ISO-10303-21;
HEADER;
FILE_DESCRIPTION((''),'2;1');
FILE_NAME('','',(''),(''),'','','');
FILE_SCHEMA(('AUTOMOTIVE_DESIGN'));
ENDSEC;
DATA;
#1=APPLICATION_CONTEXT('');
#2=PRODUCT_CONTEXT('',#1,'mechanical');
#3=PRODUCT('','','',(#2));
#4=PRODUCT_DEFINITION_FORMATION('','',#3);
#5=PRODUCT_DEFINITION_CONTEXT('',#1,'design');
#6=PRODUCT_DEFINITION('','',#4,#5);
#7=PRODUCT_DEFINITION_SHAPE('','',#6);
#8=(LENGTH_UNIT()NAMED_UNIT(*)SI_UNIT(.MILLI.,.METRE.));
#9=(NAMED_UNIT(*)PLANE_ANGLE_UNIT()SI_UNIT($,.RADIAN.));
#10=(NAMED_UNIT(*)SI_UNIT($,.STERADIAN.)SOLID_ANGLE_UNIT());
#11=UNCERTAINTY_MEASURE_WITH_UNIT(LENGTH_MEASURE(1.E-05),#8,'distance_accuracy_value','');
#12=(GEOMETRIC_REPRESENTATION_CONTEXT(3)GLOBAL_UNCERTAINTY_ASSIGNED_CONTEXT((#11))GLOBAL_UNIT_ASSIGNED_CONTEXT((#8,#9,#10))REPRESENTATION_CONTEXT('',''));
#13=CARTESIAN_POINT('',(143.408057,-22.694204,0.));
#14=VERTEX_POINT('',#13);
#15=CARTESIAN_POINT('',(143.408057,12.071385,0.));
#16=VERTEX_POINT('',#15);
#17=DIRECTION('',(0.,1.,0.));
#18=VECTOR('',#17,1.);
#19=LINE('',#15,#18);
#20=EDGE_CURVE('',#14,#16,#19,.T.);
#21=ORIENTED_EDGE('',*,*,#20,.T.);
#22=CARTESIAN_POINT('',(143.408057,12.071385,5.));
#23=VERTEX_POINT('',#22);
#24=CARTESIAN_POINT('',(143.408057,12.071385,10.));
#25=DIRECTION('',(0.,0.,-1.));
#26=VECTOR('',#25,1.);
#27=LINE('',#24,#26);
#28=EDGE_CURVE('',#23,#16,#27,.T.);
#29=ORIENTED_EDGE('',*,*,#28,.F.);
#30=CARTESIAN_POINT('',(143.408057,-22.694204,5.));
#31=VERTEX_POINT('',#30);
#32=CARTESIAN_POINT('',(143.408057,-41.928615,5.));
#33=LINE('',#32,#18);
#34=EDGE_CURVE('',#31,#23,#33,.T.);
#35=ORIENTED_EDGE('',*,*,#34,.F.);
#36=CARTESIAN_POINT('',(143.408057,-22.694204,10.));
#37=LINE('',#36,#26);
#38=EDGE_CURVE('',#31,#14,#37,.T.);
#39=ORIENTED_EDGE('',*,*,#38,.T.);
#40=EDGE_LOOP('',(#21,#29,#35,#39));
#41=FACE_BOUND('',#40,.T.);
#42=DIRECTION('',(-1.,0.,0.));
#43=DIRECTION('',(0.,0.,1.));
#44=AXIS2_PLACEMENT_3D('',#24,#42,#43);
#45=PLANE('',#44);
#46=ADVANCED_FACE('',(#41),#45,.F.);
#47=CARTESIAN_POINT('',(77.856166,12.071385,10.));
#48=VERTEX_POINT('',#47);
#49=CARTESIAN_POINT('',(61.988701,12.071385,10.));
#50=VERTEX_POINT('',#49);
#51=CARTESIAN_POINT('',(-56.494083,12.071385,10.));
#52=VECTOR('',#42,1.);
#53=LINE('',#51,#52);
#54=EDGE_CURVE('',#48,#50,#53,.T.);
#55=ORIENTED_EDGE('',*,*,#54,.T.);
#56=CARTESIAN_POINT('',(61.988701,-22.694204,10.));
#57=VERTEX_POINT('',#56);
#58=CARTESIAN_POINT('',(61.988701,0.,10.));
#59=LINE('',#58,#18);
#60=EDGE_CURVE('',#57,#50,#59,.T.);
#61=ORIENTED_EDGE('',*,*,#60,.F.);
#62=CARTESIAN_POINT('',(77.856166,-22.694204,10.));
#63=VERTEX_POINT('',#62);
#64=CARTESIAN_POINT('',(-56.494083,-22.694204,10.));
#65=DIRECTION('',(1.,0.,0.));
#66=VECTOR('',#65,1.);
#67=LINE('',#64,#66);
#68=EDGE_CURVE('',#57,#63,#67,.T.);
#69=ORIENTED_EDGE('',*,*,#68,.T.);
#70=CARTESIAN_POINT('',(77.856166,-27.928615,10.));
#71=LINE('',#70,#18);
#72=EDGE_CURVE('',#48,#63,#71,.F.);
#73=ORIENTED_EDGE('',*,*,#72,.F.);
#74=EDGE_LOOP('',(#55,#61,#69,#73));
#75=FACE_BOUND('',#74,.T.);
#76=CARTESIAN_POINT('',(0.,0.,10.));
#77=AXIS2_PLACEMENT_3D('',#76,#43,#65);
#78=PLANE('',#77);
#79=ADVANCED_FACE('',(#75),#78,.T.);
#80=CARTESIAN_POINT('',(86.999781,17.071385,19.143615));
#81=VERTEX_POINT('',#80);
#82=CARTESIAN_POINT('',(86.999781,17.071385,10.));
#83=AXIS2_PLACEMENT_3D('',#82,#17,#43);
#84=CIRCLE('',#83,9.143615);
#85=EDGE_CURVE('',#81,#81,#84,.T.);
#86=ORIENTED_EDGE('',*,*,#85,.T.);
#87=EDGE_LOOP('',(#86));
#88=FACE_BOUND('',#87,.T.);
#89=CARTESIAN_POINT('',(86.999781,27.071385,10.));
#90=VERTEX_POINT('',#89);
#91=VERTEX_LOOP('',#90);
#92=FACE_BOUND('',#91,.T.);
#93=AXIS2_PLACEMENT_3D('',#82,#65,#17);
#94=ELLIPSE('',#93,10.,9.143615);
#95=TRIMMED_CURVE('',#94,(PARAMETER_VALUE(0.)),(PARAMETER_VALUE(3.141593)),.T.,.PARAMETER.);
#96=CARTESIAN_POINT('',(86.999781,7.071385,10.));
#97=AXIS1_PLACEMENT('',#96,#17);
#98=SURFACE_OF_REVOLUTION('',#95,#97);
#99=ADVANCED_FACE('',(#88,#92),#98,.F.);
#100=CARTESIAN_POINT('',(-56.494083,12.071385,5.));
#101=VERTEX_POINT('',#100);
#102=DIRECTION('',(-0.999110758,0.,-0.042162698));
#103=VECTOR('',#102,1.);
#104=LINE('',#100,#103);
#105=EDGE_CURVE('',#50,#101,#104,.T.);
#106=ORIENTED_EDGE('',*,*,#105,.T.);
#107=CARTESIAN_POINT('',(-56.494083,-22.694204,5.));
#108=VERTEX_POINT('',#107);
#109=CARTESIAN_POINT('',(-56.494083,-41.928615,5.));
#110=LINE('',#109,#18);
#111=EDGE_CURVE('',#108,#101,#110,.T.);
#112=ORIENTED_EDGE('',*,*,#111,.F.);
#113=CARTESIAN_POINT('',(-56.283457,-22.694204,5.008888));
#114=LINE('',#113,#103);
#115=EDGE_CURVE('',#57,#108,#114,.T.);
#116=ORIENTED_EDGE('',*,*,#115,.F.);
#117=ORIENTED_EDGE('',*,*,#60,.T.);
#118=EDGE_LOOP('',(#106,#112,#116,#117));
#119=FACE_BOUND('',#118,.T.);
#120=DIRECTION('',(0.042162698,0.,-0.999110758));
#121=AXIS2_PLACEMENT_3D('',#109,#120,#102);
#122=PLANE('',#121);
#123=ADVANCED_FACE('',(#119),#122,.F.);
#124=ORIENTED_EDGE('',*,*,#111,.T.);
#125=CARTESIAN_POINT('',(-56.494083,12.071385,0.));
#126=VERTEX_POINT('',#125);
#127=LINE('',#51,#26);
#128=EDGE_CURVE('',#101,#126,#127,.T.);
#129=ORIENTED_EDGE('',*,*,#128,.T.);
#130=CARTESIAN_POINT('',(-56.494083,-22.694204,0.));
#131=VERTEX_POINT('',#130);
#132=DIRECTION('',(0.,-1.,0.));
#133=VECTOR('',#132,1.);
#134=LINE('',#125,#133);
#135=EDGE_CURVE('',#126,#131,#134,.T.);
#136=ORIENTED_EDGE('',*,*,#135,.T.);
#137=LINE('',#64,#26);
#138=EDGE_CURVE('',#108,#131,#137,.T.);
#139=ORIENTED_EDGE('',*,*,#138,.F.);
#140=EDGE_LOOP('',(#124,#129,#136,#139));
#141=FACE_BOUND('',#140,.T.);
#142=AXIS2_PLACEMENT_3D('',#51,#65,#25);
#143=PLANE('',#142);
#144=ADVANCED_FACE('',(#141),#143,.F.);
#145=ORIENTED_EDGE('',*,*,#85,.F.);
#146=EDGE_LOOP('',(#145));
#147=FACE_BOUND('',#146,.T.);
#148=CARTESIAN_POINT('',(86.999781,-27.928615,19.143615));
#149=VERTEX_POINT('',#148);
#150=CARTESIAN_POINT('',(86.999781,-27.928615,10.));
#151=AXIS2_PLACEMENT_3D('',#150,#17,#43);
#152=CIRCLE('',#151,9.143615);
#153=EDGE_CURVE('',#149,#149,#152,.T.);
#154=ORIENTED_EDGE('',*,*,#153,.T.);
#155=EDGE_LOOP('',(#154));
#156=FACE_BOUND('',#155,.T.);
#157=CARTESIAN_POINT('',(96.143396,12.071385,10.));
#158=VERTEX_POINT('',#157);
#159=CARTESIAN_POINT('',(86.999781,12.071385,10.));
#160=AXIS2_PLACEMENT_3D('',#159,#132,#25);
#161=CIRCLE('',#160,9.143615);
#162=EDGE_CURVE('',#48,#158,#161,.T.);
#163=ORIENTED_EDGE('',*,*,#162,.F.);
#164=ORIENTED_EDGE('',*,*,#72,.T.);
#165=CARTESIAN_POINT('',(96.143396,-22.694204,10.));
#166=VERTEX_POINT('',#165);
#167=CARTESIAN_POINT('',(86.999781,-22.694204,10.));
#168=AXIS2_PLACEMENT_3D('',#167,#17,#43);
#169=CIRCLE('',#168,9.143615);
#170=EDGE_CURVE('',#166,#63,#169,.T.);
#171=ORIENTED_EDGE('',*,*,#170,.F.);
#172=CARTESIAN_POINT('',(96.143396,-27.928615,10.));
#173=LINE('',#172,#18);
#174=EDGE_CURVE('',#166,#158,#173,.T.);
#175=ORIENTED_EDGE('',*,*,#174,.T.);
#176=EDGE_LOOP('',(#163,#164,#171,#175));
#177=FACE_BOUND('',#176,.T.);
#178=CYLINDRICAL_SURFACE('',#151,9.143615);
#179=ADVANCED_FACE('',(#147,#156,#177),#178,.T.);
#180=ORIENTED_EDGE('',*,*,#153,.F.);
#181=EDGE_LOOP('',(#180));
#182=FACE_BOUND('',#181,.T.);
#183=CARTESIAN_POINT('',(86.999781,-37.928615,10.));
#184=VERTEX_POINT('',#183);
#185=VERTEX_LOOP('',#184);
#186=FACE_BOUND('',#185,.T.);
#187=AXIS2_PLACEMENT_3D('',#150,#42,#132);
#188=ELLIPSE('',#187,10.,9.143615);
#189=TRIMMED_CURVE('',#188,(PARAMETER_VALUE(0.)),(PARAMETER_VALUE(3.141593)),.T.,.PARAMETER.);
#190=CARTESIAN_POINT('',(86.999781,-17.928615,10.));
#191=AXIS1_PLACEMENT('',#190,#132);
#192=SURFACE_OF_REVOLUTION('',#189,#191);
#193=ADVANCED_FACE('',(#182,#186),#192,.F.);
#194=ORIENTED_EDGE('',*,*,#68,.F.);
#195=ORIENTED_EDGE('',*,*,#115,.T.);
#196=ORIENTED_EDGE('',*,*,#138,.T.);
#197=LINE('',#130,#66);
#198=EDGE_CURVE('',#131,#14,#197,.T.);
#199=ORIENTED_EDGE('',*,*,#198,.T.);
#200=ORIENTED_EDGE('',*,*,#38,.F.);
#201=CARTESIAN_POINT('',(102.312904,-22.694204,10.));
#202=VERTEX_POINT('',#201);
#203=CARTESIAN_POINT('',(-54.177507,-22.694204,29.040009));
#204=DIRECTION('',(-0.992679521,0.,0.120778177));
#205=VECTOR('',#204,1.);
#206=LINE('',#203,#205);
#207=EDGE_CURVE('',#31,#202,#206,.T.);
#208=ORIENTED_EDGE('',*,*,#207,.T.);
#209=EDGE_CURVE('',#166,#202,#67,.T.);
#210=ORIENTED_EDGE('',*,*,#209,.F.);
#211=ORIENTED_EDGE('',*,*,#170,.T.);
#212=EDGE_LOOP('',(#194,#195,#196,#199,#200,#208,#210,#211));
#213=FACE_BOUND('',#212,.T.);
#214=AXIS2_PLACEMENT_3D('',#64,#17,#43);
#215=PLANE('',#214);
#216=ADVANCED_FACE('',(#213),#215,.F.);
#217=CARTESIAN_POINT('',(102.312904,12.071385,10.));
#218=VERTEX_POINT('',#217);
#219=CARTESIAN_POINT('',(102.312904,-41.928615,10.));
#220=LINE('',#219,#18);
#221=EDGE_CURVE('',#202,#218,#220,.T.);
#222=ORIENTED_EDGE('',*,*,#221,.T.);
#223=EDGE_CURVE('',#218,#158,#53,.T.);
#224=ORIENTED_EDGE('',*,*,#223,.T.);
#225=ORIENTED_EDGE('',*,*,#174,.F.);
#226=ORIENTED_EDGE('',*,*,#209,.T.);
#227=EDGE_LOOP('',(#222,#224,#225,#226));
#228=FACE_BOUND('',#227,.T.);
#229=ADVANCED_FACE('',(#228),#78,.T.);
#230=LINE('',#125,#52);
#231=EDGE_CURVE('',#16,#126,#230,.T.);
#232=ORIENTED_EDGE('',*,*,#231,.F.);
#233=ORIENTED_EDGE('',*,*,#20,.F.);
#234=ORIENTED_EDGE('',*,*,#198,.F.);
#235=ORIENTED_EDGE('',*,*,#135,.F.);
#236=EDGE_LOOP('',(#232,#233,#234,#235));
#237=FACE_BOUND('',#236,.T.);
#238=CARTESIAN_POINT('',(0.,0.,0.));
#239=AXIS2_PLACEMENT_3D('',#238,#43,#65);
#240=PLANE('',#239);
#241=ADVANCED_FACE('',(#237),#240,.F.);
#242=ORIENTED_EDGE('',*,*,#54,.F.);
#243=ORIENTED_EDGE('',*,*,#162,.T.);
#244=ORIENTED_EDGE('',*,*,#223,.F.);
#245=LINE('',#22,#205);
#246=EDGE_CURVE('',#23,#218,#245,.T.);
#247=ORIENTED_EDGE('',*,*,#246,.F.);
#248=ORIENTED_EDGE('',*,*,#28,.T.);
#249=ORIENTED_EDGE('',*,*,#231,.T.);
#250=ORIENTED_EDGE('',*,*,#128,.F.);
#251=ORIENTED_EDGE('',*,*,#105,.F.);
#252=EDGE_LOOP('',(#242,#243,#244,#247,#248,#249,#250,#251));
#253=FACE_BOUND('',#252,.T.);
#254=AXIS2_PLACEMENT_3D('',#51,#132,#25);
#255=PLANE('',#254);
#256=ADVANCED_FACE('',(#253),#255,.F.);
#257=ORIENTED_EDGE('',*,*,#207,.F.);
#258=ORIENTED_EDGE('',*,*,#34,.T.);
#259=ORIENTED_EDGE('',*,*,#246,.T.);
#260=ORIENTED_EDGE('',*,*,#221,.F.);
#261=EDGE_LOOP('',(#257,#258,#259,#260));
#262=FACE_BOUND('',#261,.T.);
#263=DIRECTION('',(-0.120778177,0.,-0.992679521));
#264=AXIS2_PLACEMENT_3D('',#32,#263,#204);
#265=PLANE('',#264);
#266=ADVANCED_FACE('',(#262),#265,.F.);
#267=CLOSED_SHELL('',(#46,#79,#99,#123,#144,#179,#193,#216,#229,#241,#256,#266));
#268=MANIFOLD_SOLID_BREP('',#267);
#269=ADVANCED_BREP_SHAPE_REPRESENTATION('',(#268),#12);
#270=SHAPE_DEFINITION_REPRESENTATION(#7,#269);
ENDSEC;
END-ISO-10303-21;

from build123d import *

# Parameters (mm, degrees)
SKETCH1_W                = 199.90213939
SKETCH1_H                = 34.765589459
BOSS_EXTRUDE1_DEPTH      = 10
BOSS_EXTRUDE2_DEPTH      = 5
BOSS_EXTRUDE2_DEPTH_BACK = 40
SKETCH2_R                = 9.143615086
DOME1_FACE_RADIUS        = 9.143615086
DOME1_HEIGHT             = 10
DOME2_FACE_RADIUS        = 9.143615086
DOME2_HEIGHT             = 10
CUT_EXTRUDE1_DEPTH       = 54


with BuildPart() as part:
    # Sketch1 → Boss-Extrude1 (new body)
    with BuildSketch(Plane.XY):
        with Locations((43.456986824, -5.3114095)):
            Rectangle(SKETCH1_W, SKETCH1_H)
    extrude(amount=BOSS_EXTRUDE1_DEPTH)

    # Sketch2 → Boss-Extrude2 (add, two sides: drawn at the far end of the back side and taken through both)
    with BuildSketch(Plane(origin=(0, 12.071385229, 0), x_dir=(1, 0, 0), z_dir=(0, 1, 0)).offset(-BOSS_EXTRUDE2_DEPTH_BACK)):
        with Locations((86.99978083, -10)):
            Circle(SKETCH2_R)
    extrude(amount=BOSS_EXTRUDE2_DEPTH + BOSS_EXTRUDE2_DEPTH_BACK)

    # Dome1: an elliptical dome of height H over a round flat face of radius A is half a spheroid: the quarter ellipse of half axes A and H revolved about the face's axis
    with BuildSketch(Plane((86.99978083, 17.071385229, 10), x_dir=(0, 0, -1), z_dir=(1, 0, 0)), mode=Mode.PRIVATE) as dome1_quarter:
        Ellipse(DOME1_FACE_RADIUS, DOME1_HEIGHT)
        Rectangle(DOME1_FACE_RADIUS, DOME1_HEIGHT, align=(Align.MIN, Align.MIN), mode=Mode.INTERSECT)
    revolve(dome1_quarter.sketch, axis=Axis((86.99978083, 17.071385229, 10), (0, 1, 0)))

    # Dome2: an elliptical dome of height H over a round flat face of radius A is half a spheroid: the quarter ellipse of half axes A and H revolved about the face's axis
    with BuildSketch(Plane((86.99978083, -27.928614771, 10), x_dir=(0, 0, 1), z_dir=(1, 0, 0)), mode=Mode.PRIVATE) as dome2_quarter:
        Ellipse(DOME2_FACE_RADIUS, DOME2_HEIGHT)
        Rectangle(DOME2_FACE_RADIUS, DOME2_HEIGHT, align=(Align.MIN, Align.MIN), mode=Mode.INTERSECT)
    revolve(dome2_quarter.sketch, axis=Axis((86.99978083, -27.928614771, 10), (0, -1, 0)))

    # Sketch3 → Cut-Extrude1 (cut)
    with BuildSketch(Plane(origin=(0, 12.071385229, 0), x_dir=(1, 0, 0), z_dir=(0, 1, 0))):
        Polygon((-56.494082871, -5), (61.988701151, -10), (-56.494082871, -10), align=None)
        Polygon((143.408056519, -5), (102.312904095, -10), (143.408056519, -10), align=None)
    extrude(amount=-CUT_EXTRUDE1_DEPTH, mode=Mode.SUBTRACT)


solid = part.part
